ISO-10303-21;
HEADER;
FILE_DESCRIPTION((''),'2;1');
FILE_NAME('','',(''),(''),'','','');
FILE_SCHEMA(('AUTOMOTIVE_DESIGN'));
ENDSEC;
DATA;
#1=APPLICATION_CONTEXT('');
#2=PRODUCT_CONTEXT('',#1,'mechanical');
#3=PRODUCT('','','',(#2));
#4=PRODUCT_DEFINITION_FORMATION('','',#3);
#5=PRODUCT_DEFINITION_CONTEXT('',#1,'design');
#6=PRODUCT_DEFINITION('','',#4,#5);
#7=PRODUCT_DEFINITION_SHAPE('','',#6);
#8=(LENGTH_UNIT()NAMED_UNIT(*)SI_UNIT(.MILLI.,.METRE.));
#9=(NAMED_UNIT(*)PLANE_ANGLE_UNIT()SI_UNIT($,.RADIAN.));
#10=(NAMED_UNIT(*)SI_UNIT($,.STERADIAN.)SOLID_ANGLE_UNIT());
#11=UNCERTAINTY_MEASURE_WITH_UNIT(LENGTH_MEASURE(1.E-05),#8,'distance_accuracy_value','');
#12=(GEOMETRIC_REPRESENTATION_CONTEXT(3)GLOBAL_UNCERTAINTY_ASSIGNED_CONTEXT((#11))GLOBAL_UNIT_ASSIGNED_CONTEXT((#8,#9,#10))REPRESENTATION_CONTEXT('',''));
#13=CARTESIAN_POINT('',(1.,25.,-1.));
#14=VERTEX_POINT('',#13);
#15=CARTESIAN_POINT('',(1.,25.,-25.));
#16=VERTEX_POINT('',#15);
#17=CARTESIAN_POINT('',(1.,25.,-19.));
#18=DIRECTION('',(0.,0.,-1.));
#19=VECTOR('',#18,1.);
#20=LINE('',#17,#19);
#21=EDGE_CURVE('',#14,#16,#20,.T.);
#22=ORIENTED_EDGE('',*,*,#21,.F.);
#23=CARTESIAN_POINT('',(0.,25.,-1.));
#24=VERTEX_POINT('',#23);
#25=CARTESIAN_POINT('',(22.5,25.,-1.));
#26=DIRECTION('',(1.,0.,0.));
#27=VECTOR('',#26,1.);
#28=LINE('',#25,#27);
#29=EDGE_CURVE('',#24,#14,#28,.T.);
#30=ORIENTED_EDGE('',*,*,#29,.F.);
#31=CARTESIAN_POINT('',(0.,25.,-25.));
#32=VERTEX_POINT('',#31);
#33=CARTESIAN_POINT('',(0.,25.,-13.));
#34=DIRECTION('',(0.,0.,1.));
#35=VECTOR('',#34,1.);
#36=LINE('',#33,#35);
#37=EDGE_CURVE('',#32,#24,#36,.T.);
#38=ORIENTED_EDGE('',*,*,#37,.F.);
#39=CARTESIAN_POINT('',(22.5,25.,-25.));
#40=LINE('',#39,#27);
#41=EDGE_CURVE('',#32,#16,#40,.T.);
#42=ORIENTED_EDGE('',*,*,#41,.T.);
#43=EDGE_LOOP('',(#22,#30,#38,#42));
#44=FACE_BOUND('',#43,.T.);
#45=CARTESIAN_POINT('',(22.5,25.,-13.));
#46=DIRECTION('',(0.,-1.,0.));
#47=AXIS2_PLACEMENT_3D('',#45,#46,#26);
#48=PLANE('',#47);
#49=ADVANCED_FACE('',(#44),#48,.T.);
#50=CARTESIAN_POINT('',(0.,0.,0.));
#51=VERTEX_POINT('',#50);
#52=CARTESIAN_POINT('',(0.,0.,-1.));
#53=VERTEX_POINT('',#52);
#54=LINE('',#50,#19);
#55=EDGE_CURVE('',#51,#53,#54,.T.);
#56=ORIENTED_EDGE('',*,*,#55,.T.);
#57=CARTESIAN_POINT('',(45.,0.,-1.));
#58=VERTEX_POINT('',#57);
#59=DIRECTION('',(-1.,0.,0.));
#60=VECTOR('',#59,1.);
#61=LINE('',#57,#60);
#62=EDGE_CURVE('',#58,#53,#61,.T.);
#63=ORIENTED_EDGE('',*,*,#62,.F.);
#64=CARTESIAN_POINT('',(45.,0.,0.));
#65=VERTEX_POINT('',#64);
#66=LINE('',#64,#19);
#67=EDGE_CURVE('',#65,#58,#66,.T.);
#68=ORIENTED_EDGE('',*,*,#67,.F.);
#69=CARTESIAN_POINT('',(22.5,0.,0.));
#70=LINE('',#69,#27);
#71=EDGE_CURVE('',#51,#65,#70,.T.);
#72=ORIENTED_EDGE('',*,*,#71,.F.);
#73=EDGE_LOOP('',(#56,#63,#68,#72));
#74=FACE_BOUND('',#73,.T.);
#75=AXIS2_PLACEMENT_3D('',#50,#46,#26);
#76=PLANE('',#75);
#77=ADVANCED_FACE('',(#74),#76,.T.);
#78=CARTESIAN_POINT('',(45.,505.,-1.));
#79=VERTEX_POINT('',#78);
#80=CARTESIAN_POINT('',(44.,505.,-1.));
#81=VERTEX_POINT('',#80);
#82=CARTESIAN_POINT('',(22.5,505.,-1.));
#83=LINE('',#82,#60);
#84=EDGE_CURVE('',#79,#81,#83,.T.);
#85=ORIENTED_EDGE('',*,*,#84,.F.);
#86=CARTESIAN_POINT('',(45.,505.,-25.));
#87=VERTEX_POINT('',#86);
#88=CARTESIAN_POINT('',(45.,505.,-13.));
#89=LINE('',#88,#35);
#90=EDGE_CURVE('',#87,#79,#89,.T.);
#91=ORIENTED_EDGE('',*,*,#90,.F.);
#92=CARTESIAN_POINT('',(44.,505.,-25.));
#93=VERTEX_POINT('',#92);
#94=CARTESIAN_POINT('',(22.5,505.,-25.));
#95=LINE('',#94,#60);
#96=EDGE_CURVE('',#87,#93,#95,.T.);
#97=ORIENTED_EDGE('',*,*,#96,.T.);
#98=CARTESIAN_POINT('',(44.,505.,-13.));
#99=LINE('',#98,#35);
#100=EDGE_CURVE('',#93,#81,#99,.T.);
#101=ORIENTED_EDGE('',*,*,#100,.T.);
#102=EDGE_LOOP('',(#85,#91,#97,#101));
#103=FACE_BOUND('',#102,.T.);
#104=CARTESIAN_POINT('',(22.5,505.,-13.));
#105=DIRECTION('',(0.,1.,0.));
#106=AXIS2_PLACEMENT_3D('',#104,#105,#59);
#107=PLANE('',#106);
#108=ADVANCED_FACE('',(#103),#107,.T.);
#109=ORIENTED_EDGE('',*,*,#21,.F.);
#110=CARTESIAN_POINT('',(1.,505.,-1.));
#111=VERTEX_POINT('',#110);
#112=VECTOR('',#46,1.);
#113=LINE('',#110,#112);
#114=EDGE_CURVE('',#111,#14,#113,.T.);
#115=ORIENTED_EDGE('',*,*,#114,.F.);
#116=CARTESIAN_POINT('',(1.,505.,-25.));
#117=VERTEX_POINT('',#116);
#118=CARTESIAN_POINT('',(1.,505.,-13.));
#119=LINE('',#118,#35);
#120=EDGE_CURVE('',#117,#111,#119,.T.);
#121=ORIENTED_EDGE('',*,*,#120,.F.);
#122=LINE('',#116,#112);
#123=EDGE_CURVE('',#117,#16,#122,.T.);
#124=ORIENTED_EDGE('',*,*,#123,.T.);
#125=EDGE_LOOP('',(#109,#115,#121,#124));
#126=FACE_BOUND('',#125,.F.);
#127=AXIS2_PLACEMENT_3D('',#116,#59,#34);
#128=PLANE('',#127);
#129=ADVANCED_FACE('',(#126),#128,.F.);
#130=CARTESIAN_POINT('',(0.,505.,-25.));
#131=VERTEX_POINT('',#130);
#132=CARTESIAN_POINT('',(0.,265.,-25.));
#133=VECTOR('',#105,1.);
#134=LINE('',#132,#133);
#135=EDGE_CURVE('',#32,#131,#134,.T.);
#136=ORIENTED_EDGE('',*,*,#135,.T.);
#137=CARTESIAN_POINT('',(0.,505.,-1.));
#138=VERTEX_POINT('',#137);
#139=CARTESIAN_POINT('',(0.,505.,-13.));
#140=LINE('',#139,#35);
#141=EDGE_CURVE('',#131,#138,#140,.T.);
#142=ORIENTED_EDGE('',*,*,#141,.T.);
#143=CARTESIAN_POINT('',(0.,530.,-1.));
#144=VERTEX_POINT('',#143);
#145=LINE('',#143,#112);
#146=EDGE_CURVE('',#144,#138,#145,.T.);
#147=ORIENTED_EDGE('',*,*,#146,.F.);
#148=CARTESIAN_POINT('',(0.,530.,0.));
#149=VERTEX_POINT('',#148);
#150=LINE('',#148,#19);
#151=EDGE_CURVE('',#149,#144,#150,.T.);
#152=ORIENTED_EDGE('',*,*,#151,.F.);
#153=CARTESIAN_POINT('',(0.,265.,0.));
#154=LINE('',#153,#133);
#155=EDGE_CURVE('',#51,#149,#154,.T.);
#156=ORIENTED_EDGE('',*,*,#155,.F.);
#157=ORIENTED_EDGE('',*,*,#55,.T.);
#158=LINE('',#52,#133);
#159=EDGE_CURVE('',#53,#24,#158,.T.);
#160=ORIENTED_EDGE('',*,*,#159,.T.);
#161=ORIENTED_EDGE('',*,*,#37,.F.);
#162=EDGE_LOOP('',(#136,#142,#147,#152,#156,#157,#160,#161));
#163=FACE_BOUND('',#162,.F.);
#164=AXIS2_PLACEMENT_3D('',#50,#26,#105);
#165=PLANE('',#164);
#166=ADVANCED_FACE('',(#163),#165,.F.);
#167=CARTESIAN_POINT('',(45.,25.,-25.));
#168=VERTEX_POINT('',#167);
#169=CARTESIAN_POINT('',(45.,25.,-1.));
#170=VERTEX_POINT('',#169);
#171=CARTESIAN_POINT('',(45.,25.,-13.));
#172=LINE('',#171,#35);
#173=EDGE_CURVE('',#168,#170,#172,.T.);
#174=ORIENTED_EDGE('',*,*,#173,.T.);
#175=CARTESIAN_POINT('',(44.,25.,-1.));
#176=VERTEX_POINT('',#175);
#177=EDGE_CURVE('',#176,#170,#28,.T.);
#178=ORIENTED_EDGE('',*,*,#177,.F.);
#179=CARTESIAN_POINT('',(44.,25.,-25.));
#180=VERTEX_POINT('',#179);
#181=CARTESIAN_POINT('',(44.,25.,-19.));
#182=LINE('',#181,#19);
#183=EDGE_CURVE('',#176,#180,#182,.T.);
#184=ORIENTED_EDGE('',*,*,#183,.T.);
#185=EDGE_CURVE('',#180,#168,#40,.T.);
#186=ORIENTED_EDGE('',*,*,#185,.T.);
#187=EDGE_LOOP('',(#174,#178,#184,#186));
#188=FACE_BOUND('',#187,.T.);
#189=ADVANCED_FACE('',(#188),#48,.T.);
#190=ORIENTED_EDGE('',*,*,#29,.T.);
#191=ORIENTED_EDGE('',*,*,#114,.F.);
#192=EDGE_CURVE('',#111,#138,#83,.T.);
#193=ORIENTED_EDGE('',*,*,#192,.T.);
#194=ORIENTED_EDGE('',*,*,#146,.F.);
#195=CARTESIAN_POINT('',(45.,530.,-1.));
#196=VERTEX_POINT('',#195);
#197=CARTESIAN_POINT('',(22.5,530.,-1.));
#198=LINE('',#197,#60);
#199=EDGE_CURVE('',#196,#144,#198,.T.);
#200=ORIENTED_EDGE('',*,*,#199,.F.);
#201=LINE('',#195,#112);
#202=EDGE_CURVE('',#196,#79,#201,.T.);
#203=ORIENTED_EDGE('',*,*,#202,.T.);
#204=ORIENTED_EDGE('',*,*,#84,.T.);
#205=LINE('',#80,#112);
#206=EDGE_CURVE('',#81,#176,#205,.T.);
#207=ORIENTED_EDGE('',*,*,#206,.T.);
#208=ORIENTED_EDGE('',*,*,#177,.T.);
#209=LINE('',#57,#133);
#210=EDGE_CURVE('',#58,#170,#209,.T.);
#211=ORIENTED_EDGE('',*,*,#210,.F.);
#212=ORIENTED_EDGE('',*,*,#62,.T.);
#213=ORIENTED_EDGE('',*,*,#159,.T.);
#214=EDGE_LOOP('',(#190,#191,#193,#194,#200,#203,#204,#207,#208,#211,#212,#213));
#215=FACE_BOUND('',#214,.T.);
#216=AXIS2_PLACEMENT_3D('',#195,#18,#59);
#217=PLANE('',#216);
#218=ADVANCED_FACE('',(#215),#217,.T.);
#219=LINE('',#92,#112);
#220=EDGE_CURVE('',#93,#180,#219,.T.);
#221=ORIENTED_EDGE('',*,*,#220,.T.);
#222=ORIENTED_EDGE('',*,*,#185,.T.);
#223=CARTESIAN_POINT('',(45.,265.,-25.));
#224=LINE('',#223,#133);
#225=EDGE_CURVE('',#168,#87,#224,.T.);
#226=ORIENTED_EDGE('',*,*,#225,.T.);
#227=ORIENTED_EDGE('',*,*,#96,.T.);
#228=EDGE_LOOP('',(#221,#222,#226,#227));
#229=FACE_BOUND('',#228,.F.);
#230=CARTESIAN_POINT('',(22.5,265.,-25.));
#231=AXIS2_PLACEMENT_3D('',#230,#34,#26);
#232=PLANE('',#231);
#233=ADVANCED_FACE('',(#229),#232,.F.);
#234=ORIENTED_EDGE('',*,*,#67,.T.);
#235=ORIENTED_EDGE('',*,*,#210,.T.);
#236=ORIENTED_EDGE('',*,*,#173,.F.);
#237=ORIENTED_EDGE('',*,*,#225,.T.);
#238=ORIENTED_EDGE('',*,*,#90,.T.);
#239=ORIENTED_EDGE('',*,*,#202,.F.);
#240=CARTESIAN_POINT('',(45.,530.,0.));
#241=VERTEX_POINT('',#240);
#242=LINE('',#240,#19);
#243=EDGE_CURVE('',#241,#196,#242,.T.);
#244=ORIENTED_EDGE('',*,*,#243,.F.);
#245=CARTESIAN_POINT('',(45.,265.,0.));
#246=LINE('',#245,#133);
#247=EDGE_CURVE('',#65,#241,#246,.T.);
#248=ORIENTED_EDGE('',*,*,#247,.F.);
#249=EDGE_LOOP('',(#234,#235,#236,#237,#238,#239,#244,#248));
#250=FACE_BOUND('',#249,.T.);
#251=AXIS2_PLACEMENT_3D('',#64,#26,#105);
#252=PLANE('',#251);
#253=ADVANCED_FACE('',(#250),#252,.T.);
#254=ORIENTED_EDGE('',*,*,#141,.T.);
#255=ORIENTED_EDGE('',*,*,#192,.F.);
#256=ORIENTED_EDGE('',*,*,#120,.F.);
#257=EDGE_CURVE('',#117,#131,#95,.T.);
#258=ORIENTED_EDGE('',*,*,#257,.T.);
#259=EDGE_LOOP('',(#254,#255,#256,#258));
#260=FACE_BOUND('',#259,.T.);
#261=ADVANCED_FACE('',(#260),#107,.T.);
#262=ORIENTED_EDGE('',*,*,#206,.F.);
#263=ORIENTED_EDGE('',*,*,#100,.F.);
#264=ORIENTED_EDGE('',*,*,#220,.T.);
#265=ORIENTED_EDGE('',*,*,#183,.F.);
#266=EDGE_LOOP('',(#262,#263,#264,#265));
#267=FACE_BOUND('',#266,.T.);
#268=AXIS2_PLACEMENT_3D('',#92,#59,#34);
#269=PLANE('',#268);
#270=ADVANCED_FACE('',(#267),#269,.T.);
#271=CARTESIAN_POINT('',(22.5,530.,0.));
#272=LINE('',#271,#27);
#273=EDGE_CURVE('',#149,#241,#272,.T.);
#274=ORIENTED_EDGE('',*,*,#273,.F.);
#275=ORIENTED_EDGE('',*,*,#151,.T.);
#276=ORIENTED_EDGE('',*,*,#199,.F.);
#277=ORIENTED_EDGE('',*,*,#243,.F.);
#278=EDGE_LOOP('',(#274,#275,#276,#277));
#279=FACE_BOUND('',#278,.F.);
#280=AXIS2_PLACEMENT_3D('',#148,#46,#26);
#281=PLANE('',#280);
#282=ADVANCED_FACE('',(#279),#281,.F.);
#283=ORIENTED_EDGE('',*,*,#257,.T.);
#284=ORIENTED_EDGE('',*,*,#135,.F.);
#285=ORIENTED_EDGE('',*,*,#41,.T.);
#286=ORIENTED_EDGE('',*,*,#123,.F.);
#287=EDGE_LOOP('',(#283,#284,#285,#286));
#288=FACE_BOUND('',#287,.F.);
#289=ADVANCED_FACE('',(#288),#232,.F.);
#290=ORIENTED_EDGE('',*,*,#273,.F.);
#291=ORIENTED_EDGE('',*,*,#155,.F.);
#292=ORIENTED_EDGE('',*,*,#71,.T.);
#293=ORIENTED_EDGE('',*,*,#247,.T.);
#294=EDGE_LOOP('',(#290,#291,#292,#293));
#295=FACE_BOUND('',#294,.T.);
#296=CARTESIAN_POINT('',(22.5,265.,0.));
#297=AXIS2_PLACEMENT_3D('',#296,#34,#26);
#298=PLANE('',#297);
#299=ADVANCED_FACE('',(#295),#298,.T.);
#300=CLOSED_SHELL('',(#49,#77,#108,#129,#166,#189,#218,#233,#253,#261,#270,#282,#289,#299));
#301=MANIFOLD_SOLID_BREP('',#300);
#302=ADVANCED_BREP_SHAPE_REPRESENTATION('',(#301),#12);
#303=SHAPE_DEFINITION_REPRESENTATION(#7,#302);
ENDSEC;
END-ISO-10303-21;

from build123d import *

# Parameters (mm, degrees)
F0_W     = 45
F0_H     = 530
F1_DEPTH = 25
F2_W     = 45
F2_H     = 24
F3_DEPTH = 25
F4_W     = 45
F4_H     = 24
F5_DEPTH = 25
F6_W     = 43
F6_H     = 24
F7_DEPTH = 505.001


with BuildPart() as f1:
    # F0 (on Top) → F1 (new body)
    with BuildSketch(Plane.XY):
        with Locations((22.5, 265)):
            Rectangle(F0_W, F0_H)
    extrude(amount=-F1_DEPTH)

    # F2 (on face) → F3 (cut)
    with BuildSketch(Plane.XZ):
        with Locations((22.5, -13)):
            Rectangle(F2_W, F2_H)
    extrude(amount=-F3_DEPTH, mode=Mode.SUBTRACT)

    # F4 (on face) → F5 (cut)
    with BuildSketch(Plane(origin=(0, 530, 0), x_dir=(-1, 0, 0), z_dir=(0, 1, 0))):
        with Locations((-22.5, -13)):
            Rectangle(F4_W, F4_H)
    extrude(amount=-F5_DEPTH, mode=Mode.SUBTRACT)

    # F6 (on face) → F7 (cut, through all)
    with BuildSketch(Plane(origin=(0, 505, 0), x_dir=(-1, 0, 0), z_dir=(0, 1, 0))):
        with Locations((-22.5, -13)):
            Rectangle(F6_W, F6_H)
    extrude(amount=-F7_DEPTH, mode=Mode.SUBTRACT)


solid = f1.part
